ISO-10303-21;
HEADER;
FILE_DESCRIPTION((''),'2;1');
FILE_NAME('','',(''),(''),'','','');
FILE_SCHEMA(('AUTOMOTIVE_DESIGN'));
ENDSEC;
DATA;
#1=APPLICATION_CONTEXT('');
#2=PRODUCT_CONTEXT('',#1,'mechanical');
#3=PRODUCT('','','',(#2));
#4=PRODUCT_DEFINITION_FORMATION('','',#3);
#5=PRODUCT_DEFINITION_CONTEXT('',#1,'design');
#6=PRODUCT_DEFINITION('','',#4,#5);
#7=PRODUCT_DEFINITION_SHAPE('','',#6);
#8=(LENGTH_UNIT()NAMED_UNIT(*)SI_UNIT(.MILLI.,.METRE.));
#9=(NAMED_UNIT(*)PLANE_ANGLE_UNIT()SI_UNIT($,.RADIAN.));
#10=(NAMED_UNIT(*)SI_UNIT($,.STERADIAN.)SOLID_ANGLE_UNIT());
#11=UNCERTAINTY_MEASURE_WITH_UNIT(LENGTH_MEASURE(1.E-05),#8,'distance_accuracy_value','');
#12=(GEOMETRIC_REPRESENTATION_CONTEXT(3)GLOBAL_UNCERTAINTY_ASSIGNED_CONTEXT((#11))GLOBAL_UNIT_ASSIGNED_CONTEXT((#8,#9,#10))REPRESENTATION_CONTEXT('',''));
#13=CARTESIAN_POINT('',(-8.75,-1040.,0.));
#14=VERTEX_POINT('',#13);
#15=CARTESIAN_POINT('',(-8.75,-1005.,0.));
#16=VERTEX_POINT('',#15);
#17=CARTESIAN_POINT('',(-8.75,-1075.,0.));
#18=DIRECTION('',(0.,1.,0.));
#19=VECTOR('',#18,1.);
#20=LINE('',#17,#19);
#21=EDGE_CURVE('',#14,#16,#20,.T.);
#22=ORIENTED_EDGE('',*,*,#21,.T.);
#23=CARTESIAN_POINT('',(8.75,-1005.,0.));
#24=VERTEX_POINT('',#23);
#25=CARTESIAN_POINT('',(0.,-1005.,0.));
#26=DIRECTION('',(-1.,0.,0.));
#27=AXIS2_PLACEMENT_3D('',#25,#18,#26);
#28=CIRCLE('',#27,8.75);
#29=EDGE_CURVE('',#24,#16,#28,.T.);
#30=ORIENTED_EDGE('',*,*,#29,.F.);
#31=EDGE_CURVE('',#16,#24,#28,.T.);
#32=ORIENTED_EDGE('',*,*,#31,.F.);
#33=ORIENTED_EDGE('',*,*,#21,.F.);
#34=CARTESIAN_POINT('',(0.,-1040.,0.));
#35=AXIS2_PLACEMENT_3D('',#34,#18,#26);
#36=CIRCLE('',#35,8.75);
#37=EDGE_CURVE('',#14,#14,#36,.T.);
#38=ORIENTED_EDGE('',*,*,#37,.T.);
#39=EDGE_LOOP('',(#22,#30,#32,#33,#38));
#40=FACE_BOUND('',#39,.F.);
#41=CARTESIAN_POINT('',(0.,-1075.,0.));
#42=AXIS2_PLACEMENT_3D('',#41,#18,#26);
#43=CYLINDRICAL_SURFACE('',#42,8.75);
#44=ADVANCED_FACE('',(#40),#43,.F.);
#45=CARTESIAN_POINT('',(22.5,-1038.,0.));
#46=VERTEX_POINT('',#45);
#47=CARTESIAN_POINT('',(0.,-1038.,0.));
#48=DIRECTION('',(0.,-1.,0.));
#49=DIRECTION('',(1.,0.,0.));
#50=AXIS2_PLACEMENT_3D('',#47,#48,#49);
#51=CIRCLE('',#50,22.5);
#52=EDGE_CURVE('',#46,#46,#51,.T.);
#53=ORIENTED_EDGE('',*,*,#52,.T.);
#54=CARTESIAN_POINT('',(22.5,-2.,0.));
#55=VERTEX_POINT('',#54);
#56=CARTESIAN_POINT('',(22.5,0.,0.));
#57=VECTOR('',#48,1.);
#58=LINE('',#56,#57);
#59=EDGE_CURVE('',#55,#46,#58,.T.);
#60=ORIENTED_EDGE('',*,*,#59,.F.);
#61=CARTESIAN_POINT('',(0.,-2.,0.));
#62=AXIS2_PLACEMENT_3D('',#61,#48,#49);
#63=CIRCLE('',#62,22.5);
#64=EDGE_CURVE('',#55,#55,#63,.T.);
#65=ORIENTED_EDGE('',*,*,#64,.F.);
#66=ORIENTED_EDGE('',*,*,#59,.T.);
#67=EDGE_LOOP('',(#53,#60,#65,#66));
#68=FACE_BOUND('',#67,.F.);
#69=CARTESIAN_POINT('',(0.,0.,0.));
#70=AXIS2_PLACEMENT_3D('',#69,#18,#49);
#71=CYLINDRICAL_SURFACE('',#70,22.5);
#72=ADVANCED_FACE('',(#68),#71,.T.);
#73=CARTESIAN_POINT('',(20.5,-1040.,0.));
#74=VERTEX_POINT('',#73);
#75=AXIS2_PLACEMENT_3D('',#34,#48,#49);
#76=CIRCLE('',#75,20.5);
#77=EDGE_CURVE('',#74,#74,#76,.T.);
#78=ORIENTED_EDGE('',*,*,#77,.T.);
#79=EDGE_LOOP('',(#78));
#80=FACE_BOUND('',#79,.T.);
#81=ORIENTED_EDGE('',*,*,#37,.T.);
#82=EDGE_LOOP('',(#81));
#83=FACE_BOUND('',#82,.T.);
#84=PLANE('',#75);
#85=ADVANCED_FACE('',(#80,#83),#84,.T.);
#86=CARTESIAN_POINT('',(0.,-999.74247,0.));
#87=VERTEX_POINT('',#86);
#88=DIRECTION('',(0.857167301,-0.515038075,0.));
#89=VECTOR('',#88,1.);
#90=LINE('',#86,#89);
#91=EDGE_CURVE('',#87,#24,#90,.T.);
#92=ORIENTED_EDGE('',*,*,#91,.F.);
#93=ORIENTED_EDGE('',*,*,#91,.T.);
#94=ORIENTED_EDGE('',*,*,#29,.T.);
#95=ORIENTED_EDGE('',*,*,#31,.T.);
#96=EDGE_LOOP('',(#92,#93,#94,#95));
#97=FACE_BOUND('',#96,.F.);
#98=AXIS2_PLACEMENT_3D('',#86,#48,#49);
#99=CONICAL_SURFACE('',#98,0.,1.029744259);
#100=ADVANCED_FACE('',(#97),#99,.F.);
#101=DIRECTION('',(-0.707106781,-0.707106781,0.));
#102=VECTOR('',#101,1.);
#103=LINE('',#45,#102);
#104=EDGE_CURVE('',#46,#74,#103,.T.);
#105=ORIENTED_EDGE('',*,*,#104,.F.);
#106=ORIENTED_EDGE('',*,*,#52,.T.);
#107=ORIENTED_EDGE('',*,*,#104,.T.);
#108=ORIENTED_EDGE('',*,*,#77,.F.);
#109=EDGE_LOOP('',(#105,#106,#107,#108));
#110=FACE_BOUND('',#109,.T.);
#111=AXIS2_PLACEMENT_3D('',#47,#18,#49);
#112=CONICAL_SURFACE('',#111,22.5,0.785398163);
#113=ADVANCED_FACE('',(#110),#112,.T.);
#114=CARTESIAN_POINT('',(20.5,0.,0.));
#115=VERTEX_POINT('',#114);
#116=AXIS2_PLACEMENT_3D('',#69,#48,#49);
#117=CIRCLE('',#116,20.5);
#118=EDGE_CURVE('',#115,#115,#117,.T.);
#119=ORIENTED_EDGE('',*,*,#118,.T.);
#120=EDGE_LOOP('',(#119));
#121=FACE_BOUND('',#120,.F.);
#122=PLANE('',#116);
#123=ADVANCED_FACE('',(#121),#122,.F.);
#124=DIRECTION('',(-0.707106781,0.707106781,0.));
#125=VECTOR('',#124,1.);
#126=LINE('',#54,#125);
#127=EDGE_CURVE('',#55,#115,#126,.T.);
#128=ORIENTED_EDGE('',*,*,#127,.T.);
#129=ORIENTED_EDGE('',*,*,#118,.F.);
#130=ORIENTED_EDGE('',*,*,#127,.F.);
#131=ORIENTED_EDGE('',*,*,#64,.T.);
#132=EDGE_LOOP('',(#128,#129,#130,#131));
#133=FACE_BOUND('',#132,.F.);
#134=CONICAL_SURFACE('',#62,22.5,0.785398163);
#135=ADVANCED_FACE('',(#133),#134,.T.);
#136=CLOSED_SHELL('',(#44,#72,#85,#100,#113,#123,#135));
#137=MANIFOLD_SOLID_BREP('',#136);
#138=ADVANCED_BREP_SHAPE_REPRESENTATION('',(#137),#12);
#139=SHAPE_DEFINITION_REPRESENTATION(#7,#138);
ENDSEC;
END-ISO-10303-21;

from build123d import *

# Parameters (mm, degrees)
F0_R     = 22.5
F1_DEPTH = 1040
F2_SIZE  = 2
F4_D     = 17.5
F4_DEPTH = 35
F4_TIP   = 5.2575304165


with BuildPart() as f1:
    # F0 (on Front) → F1 (new body)
    with BuildSketch(Plane.XZ):
        Circle(F0_R)
    extrude(amount=F1_DEPTH)

    # F2
    f2_edges = [f1.edges().sort_by_distance(p)[0] for p in [
        (-22.5, 0, 0),
        (-22.5, -1040, 0),
    ]]
    chamfer(f2_edges, length=F2_SIZE)

    # F4
    with Locations(Plane.XZ.offset(1040)):
        with Locations((0, 0)):
            Hole(F4_D / 2, depth=F4_DEPTH)
            with Locations((0, 0, -(F4_DEPTH + F4_TIP / 2))):  # 118° drill point
                Cone(0, F4_D / 2, F4_TIP, mode=Mode.SUBTRACT)


solid = f1.part
